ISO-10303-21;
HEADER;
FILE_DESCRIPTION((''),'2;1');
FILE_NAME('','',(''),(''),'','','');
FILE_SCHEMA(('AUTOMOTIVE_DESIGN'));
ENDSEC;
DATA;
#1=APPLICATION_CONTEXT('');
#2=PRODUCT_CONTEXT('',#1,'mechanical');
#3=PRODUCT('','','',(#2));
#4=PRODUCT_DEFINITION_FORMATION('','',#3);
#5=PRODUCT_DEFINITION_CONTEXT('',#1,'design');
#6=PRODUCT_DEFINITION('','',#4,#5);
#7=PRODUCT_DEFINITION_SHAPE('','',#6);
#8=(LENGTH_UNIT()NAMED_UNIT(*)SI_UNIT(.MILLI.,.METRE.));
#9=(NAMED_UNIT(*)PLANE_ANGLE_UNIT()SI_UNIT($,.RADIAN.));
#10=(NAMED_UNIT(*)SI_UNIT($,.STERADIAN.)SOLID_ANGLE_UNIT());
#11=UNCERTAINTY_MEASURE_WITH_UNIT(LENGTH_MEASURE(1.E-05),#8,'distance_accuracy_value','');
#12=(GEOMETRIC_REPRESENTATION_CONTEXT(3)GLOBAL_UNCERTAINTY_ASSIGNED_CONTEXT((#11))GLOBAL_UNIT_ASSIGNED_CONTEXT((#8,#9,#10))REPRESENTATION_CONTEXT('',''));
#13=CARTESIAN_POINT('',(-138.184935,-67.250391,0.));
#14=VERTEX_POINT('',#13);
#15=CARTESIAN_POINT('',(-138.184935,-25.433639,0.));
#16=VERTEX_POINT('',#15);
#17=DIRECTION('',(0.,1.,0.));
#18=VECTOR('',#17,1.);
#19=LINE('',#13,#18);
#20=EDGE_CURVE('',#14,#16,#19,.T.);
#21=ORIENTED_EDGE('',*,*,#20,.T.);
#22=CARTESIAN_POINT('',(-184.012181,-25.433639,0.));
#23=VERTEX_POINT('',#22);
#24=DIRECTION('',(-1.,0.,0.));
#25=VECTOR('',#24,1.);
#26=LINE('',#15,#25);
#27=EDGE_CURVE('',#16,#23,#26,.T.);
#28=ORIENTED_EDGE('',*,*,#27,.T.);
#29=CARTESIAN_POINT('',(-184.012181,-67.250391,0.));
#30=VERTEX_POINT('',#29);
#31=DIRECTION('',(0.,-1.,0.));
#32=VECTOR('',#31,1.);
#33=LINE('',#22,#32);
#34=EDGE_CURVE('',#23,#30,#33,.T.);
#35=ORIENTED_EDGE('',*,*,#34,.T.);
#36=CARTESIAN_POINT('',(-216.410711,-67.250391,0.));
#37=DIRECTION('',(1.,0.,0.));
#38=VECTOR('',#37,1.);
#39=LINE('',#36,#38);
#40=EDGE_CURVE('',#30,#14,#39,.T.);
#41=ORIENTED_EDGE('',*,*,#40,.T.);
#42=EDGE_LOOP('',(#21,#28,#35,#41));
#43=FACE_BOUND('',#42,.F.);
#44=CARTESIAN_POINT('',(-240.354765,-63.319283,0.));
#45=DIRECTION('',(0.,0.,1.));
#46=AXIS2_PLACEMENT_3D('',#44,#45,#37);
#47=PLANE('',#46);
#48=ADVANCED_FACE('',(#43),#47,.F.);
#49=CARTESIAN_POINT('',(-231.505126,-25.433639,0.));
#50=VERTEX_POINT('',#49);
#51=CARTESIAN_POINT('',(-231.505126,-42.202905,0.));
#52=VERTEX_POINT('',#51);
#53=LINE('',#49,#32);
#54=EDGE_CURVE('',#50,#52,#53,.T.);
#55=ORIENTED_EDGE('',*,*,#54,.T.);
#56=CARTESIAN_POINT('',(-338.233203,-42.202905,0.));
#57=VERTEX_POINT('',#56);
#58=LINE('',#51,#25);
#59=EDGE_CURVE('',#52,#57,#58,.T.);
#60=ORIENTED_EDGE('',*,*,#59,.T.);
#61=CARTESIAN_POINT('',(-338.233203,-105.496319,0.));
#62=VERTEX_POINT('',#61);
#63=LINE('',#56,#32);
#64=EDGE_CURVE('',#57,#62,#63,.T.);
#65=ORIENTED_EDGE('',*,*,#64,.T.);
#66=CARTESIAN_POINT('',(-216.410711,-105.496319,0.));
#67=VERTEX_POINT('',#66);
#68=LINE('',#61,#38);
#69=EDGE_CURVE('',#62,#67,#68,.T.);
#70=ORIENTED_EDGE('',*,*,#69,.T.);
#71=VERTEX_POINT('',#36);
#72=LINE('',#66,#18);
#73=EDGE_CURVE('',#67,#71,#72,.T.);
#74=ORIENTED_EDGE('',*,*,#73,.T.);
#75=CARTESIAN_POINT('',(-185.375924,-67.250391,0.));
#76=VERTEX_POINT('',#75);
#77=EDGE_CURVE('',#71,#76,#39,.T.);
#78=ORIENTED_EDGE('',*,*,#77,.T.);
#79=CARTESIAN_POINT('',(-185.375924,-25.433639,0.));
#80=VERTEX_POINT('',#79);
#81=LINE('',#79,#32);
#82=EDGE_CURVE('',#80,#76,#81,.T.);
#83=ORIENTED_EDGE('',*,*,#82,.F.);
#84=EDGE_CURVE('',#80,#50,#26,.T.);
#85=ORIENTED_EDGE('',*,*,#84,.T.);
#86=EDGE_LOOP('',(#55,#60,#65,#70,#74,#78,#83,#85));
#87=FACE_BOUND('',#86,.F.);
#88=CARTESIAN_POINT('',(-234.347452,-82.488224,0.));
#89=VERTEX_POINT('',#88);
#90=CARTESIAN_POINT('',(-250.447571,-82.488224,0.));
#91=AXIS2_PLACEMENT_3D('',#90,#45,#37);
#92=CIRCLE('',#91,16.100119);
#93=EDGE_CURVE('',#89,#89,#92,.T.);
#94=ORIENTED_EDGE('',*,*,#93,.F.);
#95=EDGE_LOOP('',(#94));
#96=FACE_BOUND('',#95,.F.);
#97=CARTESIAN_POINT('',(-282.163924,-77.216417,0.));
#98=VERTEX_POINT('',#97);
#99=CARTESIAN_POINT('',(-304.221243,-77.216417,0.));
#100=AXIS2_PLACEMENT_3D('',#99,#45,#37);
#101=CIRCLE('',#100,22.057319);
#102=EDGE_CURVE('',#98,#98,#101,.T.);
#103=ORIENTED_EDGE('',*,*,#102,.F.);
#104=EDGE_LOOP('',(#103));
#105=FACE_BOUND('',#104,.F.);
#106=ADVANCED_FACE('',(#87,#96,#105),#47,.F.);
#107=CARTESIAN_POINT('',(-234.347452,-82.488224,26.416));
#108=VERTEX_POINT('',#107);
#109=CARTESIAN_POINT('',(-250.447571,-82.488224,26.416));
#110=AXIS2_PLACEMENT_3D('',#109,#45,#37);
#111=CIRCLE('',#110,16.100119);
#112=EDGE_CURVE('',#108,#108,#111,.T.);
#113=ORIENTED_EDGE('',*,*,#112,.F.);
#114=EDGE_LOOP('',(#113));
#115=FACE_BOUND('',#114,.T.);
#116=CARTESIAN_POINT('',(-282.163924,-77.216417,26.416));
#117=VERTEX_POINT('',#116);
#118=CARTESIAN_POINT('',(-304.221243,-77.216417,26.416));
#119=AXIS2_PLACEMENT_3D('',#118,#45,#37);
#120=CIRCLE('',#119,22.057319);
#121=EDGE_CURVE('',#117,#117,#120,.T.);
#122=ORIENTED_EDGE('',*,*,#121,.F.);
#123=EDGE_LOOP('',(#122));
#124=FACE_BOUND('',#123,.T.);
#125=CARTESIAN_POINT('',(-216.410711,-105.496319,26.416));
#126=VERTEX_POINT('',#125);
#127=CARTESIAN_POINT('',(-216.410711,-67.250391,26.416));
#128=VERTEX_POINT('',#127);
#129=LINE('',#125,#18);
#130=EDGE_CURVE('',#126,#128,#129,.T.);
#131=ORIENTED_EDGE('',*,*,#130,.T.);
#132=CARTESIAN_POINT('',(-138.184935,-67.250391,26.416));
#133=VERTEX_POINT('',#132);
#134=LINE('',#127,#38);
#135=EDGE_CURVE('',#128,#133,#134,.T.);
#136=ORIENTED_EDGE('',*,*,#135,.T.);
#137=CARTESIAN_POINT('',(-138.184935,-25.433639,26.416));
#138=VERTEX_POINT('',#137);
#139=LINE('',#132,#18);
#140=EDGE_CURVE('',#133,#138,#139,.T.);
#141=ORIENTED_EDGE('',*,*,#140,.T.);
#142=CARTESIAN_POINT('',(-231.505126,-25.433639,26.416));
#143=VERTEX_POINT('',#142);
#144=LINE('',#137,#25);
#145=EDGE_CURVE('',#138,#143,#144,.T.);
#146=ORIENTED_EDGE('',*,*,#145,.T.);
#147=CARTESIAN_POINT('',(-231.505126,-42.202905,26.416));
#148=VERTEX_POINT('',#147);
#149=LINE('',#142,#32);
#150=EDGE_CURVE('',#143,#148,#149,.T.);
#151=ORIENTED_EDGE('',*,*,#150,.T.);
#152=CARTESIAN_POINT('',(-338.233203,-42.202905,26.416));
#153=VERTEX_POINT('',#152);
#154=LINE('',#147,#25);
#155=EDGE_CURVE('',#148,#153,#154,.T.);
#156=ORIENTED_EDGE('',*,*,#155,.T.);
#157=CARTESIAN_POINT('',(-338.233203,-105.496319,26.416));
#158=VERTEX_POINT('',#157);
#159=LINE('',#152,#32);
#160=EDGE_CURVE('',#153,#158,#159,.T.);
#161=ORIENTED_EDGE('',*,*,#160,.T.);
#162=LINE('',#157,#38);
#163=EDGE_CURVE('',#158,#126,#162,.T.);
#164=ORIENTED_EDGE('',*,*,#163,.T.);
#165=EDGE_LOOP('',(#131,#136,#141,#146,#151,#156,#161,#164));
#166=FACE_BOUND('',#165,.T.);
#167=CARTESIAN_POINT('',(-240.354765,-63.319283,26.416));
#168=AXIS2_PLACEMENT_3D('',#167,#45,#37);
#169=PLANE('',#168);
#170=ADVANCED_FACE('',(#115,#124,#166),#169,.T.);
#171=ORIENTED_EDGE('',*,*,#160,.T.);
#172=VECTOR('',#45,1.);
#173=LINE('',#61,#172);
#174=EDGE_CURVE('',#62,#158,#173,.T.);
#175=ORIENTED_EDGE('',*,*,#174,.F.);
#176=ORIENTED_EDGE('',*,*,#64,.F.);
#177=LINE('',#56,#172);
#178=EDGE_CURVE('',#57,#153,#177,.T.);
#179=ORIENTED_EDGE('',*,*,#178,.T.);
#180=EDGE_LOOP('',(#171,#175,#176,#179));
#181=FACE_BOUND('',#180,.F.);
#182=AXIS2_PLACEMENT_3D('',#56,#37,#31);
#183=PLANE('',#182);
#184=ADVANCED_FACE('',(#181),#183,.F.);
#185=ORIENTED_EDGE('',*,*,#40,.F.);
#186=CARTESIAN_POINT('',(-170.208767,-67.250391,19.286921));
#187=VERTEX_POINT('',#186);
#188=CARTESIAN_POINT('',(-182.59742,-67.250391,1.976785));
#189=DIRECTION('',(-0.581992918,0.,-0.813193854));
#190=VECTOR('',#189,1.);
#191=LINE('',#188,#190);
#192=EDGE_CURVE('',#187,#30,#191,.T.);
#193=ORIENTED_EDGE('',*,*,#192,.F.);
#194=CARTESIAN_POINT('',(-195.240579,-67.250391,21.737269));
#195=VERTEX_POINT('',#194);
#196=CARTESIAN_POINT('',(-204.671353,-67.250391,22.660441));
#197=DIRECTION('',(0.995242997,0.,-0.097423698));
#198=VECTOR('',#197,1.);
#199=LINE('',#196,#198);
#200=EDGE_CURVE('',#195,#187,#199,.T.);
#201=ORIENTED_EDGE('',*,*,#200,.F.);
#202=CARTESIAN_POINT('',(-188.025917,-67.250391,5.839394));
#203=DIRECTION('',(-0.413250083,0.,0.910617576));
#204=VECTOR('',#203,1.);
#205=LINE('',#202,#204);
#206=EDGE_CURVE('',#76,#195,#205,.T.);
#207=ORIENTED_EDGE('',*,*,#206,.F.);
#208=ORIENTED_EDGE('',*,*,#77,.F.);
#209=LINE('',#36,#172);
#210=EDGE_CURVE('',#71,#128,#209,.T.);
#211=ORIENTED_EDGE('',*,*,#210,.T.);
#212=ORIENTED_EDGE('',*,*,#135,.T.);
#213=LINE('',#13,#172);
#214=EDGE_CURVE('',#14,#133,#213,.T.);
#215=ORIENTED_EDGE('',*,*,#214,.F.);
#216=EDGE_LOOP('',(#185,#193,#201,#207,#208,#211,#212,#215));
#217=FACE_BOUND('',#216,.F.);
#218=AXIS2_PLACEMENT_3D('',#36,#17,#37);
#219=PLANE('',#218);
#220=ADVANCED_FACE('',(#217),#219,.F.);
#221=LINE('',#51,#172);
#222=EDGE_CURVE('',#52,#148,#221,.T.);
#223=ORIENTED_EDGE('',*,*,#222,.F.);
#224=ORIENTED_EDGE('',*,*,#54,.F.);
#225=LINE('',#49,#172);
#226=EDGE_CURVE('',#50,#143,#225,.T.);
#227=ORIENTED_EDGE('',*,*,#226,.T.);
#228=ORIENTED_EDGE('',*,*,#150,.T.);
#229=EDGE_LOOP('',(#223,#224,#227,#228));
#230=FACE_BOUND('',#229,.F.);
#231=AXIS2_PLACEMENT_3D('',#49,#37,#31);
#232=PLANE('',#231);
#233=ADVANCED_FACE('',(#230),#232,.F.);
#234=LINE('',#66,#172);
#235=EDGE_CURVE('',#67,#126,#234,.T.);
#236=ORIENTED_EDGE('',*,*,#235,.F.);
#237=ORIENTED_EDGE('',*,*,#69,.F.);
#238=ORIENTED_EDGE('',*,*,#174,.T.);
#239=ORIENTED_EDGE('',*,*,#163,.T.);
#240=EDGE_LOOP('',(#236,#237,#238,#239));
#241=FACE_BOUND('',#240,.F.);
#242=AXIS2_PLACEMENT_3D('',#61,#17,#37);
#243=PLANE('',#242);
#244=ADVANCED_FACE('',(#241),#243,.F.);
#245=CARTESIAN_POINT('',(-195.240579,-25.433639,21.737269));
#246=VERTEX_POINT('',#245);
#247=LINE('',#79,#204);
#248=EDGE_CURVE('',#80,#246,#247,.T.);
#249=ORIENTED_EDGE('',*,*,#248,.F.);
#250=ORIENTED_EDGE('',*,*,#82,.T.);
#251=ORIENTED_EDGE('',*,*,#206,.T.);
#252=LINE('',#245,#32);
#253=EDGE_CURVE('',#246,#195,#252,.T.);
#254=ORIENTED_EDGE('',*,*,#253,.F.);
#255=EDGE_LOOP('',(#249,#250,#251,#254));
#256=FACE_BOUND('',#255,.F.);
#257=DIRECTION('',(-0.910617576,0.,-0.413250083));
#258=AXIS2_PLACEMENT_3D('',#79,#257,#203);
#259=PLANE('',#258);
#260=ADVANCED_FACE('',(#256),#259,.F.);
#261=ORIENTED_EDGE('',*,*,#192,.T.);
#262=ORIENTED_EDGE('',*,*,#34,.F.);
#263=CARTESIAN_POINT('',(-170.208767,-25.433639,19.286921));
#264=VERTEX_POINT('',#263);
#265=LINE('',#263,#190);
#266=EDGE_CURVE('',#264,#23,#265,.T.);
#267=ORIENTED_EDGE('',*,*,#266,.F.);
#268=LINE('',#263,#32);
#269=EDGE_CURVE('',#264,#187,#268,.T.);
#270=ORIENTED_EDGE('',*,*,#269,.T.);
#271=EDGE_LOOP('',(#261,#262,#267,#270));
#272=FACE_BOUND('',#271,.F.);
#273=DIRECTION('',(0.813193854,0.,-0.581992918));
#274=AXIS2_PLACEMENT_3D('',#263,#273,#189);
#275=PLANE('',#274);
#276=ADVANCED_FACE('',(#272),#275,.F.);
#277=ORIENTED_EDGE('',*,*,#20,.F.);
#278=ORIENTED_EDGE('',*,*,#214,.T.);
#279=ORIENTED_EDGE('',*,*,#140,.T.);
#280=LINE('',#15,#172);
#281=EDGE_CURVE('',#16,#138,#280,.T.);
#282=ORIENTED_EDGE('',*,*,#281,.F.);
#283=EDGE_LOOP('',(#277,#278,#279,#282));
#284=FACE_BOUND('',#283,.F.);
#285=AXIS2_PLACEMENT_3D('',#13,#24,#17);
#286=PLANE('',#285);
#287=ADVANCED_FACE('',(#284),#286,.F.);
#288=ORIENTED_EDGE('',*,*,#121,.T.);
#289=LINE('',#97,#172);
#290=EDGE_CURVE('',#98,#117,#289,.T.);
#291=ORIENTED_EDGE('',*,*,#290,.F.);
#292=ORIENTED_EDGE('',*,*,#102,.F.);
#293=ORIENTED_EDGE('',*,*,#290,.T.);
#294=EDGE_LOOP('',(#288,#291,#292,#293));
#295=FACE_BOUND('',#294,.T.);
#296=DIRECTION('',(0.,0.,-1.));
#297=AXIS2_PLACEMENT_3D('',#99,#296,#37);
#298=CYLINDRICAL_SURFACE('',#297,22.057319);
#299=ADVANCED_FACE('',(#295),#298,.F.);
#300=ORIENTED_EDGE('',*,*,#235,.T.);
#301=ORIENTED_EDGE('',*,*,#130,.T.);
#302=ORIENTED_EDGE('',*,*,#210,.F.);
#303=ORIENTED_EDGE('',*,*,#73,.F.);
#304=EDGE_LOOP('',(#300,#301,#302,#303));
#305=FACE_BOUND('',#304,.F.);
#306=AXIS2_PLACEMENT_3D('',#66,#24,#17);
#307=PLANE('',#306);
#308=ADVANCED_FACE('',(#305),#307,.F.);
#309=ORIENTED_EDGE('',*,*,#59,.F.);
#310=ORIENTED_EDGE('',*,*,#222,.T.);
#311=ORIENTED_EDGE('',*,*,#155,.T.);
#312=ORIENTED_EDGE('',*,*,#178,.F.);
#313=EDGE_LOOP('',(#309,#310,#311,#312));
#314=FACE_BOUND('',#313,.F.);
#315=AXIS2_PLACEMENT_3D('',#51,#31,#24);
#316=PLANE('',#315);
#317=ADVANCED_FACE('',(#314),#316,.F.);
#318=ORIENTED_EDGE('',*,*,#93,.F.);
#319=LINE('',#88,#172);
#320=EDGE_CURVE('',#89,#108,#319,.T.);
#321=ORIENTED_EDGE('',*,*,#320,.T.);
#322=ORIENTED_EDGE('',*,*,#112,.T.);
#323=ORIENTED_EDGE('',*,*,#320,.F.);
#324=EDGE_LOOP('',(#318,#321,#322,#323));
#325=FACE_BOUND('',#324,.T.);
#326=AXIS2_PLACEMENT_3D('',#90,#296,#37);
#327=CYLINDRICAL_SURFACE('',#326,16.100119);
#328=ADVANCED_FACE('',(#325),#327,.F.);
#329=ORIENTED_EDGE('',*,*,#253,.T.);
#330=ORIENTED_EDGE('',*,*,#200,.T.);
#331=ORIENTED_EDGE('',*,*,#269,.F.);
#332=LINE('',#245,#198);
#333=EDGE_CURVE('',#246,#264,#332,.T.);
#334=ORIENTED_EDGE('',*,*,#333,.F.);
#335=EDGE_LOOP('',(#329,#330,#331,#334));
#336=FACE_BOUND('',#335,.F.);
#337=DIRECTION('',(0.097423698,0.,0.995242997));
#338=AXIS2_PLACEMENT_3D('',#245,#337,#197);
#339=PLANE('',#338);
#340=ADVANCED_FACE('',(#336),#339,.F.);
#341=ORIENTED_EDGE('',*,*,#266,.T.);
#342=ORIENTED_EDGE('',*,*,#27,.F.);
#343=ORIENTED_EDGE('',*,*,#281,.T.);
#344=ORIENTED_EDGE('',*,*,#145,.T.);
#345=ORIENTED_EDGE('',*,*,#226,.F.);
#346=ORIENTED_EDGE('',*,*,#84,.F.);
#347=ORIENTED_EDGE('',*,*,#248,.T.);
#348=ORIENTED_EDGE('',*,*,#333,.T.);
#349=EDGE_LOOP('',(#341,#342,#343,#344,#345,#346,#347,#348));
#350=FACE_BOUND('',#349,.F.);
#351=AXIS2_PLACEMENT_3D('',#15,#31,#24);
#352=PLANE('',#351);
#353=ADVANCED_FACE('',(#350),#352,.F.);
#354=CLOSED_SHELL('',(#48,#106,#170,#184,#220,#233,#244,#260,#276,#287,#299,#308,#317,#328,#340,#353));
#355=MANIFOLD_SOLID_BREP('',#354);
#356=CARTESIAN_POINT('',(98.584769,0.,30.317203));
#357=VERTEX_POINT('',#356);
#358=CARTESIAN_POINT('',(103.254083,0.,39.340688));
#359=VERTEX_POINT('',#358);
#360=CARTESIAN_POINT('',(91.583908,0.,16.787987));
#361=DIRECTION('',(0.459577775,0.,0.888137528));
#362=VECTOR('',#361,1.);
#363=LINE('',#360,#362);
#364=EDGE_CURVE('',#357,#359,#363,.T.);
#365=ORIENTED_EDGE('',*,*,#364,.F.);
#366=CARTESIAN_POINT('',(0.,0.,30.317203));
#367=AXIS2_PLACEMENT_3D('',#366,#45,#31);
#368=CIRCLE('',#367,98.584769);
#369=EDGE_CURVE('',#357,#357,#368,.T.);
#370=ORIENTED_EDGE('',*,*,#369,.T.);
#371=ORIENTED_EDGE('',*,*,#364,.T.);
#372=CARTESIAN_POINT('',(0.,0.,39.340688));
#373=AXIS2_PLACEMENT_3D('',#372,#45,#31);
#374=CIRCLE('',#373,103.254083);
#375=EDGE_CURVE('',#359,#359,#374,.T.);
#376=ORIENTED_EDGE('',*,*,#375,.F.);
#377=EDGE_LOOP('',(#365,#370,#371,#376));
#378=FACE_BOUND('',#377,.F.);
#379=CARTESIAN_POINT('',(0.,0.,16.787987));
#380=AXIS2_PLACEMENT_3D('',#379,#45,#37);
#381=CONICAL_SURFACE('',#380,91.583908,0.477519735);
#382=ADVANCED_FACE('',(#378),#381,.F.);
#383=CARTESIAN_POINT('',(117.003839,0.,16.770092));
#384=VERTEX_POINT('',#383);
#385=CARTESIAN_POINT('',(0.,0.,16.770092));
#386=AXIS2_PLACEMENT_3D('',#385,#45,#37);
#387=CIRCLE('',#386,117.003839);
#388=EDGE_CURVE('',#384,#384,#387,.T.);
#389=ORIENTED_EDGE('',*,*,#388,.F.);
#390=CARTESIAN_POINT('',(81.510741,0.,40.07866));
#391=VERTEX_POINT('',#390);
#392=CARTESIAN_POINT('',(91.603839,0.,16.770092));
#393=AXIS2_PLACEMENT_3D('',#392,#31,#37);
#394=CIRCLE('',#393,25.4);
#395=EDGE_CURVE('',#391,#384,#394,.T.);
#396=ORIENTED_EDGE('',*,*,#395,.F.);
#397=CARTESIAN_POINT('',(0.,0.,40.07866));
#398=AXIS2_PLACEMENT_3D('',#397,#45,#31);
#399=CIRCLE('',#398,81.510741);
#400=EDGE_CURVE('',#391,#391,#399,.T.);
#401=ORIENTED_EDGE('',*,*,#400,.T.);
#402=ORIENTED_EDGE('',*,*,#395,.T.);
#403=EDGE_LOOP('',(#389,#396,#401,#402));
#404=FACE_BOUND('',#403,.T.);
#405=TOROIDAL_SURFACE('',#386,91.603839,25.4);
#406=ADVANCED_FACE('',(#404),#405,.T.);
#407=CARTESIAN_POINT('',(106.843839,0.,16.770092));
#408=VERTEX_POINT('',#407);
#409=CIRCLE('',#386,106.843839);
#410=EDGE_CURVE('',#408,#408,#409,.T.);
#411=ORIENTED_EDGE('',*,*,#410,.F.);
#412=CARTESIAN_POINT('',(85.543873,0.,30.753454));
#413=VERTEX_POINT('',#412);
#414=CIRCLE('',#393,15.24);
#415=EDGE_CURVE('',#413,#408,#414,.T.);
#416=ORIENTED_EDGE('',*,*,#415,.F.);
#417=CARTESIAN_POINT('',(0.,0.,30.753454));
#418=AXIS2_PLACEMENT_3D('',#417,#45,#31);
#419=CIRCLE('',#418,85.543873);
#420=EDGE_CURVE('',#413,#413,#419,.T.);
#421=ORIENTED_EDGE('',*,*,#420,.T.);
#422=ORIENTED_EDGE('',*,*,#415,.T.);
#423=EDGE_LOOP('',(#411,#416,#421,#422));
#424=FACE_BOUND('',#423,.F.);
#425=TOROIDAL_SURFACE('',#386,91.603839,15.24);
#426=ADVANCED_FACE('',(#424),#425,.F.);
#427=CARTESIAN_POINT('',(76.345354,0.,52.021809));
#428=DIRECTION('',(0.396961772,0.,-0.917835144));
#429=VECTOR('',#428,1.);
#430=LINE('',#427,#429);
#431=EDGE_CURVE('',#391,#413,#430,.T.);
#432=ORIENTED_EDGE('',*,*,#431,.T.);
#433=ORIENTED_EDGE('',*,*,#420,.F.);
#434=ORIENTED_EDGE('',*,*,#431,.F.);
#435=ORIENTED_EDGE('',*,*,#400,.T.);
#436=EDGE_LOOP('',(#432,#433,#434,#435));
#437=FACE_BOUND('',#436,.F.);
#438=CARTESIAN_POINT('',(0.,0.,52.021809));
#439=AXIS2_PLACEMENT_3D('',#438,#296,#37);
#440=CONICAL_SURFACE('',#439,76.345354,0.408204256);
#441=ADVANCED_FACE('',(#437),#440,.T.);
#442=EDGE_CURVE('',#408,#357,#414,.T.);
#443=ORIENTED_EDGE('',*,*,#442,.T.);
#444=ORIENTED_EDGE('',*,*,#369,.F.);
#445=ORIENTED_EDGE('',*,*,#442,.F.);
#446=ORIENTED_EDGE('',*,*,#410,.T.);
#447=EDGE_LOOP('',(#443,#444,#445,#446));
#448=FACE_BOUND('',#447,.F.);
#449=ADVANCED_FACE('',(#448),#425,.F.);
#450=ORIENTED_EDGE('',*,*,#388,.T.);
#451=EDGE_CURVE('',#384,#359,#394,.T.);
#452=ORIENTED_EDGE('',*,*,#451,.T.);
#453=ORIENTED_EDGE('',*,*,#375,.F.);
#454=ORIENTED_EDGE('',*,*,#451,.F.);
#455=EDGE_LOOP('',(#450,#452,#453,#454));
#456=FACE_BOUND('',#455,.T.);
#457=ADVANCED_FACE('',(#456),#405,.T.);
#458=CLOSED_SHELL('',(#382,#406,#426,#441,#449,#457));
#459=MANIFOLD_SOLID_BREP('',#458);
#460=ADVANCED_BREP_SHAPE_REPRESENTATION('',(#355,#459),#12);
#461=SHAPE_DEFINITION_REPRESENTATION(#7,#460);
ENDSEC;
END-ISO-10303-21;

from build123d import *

# Parameters (mm, degrees)
F0_R     = 25.4
F0_R_2   = 15.24
F4_R     = 22.057319
F4_R_2   = 16.100119
F5_DEPTH = 26.416
F7_DEPTH = 91.5712


with BuildPart() as f1:
    # F0 (on Front) → F1 (revolve)
    with BuildSketch(Plane.XZ):
        with Locations((91.603839, 16.770092)):
            Circle(F0_R)
        with Locations((91.603839, 16.770092)):
            Circle(F0_R_2, mode=Mode.SUBTRACT)
    revolve(axis=Axis((0, 0, 16.426022), (0, 0, 1)))

    # F2 (on Front) → F3 (revolve, cut)
    with BuildSketch(Plane.XZ):
        Polygon((109.816086, 52.021809), (76.345354, 52.021809), (91.583908, 16.787987), align=None)
    revolve(axis=Axis((0, 0, 16.426022), (0, 0, 1)), mode=Mode.SUBTRACT)


with BuildPart() as f5:
    # F4 (on Top) → F5 (new body)
    with BuildSketch(Plane.XY):
        Polygon((-231.505126, -42.202905), (-338.233203, -42.202905), (-338.233203, -105.496319), (-216.410711, -105.496319), (-216.410711, -67.250391), (-138.184935, -67.250391), (-138.184935, -25.433639), (-231.505126, -25.433639), align=None)
        with Locations((-304.221243, -77.216417)):
            Circle(F4_R, mode=Mode.SUBTRACT)
        with Locations((-250.447571, -82.488224)):
            Circle(F4_R_2, mode=Mode.SUBTRACT)
    extrude(amount=F5_DEPTH)

    # F6 (on face) → F7 (cut, through all)
    with BuildSketch(Plane(origin=(0, -25.433639, 0), x_dir=(-1, 0, 0), z_dir=(0, 1, 0))):
        Polygon((185.375924, 0), (195.240579, 21.737269), (170.208767, 19.286921), (184.012181, 0), align=None)
    extrude(amount=-F7_DEPTH, mode=Mode.SUBTRACT)


solid = Compound([f1.part, f5.part])
